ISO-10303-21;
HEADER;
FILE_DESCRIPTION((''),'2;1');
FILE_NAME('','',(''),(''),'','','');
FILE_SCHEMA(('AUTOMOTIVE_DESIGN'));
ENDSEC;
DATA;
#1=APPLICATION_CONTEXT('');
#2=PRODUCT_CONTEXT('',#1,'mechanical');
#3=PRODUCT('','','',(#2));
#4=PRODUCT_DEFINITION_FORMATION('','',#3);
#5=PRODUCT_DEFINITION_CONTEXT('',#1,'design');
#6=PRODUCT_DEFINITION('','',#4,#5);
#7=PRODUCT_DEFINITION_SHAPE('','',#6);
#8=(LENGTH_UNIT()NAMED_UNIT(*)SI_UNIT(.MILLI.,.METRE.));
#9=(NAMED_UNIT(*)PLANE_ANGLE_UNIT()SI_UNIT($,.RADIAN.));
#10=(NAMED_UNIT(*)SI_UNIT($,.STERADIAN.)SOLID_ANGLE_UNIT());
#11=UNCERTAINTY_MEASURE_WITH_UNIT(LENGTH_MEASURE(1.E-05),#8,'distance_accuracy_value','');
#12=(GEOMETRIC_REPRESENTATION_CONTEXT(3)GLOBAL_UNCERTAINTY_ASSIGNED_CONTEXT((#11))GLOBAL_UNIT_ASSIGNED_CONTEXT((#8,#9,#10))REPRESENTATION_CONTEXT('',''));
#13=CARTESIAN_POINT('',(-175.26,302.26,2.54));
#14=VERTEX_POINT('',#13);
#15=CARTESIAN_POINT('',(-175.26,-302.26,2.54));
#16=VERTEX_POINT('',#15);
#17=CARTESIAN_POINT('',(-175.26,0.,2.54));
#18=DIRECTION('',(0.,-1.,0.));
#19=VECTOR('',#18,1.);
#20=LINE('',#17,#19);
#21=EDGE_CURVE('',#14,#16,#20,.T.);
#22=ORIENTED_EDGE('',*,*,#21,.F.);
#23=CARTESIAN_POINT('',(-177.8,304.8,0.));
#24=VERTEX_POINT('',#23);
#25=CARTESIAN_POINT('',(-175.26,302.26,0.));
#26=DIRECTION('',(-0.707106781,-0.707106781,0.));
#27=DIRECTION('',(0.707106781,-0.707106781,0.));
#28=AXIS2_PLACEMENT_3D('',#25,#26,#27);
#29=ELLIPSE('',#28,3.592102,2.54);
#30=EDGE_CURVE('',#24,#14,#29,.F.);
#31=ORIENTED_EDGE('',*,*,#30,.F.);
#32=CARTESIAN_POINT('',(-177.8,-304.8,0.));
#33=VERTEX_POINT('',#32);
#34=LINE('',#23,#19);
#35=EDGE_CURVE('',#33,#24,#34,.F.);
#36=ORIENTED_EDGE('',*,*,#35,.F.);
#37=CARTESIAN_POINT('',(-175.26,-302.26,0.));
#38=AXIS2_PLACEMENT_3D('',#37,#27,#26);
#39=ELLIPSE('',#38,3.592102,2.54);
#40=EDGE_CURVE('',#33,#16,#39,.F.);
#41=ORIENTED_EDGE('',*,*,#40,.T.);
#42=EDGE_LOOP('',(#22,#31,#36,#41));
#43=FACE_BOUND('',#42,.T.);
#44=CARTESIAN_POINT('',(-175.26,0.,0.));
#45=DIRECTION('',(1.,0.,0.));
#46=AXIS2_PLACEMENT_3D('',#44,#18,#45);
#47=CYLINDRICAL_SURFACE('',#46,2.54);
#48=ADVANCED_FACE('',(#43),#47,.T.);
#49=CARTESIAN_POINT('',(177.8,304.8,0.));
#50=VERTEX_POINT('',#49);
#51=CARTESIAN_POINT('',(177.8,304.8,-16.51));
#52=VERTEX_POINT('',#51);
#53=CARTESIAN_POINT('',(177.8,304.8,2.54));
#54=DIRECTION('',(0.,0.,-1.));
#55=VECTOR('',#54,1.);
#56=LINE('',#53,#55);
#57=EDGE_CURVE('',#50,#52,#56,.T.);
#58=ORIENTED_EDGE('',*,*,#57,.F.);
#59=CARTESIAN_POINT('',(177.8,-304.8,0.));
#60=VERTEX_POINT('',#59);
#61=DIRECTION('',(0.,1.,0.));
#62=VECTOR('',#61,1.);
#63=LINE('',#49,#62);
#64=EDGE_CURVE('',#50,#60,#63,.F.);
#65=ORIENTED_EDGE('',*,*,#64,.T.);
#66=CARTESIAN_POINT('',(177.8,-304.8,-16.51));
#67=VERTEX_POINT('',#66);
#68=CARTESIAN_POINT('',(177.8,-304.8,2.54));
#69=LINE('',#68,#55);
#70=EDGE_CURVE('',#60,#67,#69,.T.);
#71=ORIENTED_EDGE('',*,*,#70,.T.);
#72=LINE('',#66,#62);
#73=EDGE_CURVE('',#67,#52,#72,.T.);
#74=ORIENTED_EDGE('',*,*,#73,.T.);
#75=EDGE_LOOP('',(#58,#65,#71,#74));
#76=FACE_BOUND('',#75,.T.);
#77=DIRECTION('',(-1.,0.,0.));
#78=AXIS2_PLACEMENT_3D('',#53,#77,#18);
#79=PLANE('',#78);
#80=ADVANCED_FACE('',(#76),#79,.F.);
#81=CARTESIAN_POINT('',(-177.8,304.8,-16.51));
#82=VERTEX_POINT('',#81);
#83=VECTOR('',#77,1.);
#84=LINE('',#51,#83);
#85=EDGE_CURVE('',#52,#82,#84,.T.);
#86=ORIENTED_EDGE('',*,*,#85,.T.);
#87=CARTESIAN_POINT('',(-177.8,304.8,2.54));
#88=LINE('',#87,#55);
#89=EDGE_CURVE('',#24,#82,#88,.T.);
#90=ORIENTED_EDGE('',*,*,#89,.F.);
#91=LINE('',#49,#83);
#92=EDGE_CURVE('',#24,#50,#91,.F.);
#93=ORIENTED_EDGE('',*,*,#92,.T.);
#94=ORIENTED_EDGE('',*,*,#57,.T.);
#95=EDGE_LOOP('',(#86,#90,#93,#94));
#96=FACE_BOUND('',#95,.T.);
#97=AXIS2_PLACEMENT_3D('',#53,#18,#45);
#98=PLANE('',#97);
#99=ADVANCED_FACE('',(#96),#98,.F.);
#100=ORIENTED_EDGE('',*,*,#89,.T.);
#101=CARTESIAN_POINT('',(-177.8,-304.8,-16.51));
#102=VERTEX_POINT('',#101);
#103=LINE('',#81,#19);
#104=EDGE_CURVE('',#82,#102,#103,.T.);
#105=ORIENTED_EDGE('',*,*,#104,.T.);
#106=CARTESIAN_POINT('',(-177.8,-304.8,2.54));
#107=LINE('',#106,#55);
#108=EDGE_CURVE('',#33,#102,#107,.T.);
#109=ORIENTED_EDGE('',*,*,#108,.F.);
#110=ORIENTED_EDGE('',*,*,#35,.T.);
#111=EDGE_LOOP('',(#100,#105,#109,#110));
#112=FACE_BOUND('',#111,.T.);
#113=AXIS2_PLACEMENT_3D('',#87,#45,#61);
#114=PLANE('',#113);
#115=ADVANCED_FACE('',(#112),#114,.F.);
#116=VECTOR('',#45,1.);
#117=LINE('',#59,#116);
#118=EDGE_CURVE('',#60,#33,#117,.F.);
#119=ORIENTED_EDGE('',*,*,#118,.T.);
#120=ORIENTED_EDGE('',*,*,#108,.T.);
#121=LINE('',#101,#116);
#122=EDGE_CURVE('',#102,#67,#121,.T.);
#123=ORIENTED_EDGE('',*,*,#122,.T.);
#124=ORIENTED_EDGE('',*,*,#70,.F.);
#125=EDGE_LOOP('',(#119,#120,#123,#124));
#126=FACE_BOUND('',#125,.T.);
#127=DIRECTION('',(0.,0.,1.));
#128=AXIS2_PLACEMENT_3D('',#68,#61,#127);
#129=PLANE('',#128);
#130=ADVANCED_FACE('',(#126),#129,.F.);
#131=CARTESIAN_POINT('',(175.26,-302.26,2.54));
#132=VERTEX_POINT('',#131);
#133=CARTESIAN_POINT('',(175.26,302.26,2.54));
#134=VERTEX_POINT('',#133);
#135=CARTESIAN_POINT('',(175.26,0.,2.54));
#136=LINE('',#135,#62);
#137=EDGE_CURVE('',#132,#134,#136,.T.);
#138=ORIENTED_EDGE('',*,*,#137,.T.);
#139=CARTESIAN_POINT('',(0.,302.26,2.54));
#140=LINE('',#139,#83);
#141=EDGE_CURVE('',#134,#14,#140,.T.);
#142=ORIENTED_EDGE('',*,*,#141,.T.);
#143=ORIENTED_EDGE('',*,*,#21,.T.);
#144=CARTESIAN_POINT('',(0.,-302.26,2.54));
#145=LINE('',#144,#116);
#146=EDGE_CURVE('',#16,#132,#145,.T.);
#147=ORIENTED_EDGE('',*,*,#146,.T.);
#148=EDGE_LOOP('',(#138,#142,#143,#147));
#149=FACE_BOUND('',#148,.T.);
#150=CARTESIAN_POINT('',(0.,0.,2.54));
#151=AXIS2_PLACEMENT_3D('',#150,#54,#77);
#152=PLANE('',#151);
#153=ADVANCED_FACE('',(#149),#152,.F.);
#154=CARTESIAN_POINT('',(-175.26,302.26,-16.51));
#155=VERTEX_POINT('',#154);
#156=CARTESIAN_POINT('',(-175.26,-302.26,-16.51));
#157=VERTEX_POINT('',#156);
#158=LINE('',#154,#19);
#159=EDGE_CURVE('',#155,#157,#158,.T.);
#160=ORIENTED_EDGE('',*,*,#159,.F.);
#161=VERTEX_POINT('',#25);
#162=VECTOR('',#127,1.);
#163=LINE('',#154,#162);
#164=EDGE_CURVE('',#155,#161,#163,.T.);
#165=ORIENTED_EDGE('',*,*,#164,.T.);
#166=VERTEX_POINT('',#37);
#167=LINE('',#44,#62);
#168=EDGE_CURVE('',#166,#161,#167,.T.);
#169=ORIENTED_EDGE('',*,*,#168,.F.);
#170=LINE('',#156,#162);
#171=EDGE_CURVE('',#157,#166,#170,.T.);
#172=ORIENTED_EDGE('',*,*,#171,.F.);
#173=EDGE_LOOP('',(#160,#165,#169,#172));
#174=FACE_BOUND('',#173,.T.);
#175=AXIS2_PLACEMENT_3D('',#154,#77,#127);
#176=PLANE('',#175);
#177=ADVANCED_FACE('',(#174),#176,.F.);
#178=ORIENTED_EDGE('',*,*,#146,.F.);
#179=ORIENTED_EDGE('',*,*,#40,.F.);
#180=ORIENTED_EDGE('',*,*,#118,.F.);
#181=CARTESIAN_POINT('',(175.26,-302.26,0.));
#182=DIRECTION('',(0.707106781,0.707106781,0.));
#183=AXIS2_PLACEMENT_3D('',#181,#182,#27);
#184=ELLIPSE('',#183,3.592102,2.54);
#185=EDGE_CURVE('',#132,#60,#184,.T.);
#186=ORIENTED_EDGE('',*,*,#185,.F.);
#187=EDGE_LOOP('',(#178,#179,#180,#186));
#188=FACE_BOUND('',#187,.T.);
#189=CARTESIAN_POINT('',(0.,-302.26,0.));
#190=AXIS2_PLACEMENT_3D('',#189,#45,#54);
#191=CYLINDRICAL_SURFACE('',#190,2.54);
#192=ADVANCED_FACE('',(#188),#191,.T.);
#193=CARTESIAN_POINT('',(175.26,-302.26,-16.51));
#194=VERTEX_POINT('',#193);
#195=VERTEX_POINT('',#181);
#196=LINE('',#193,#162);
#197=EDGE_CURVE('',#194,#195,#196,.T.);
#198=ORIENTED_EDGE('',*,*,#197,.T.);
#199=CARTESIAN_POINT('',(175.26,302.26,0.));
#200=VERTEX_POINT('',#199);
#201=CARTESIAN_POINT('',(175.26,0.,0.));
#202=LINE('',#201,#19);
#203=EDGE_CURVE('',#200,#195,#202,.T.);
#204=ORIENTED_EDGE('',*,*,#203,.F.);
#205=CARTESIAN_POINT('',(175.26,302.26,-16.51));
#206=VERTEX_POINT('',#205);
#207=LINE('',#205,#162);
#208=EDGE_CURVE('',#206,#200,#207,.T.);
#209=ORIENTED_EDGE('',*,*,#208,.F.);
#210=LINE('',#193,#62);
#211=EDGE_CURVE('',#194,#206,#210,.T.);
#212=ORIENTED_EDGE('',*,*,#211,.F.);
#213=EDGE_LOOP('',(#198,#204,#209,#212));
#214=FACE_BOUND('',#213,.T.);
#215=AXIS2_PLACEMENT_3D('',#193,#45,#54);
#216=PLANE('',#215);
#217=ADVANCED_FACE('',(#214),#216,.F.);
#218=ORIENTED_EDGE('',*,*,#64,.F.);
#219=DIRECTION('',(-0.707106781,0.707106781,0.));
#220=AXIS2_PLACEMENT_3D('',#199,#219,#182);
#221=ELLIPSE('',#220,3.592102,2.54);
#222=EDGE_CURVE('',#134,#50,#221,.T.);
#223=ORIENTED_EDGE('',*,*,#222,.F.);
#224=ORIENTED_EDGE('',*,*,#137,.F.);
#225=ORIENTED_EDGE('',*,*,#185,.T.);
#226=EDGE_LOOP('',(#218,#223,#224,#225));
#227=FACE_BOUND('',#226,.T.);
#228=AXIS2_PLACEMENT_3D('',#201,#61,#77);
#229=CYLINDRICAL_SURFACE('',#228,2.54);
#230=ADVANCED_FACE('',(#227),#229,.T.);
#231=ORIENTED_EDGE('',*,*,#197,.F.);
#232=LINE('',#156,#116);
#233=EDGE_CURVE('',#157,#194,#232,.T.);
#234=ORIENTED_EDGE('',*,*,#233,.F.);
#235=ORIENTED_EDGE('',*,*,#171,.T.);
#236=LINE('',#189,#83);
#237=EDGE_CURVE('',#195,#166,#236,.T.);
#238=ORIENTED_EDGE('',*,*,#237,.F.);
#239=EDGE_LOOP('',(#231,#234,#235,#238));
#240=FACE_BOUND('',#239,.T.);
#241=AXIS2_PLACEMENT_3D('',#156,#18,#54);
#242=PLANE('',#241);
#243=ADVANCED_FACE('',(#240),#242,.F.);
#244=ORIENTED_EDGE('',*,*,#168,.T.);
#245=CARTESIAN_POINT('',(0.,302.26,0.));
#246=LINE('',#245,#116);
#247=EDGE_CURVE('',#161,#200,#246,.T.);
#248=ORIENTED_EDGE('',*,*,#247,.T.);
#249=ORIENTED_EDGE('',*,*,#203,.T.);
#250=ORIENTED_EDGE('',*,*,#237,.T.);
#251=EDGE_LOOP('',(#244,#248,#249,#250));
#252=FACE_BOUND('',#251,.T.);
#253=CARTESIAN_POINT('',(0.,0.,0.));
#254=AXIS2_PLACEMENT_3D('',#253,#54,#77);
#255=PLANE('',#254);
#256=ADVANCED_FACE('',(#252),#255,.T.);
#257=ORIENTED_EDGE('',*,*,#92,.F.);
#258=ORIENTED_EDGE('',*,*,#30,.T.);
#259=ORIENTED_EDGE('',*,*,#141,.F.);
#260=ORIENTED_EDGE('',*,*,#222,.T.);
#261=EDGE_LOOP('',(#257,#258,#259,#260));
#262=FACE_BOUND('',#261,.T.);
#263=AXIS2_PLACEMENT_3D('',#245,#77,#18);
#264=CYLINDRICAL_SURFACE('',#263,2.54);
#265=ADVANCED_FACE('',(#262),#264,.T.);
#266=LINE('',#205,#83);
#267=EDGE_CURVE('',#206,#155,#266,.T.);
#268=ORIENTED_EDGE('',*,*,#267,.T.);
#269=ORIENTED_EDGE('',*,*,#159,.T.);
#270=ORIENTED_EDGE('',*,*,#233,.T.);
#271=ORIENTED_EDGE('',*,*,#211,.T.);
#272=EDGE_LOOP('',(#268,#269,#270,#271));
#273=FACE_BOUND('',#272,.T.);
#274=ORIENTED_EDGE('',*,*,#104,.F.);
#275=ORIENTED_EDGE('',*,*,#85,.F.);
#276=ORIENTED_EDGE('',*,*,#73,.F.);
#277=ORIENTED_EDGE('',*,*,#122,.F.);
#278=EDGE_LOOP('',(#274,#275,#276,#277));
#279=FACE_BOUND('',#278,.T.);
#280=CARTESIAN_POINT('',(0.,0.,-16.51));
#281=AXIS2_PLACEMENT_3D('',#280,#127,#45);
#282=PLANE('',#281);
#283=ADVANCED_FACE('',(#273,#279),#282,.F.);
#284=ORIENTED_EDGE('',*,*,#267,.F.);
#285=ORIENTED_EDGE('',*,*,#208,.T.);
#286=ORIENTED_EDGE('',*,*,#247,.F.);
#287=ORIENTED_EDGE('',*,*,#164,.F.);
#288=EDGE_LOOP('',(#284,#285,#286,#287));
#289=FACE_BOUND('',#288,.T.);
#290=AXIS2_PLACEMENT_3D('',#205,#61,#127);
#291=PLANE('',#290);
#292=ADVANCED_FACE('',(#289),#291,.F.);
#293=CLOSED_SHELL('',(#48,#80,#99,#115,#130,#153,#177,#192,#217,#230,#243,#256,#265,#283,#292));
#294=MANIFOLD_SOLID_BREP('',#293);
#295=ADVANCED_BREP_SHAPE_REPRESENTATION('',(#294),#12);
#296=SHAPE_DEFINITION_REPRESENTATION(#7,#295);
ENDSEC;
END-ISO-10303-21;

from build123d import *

# Parameters (mm, degrees)
SKETCH1_W           = 355.6
SKETCH1_H           = 609.6
BOSS_EXTRUDE1_DEPTH = 2.54
SKETCH2_W           = 355.6
SKETCH2_H           = 609.6
SKETCH2_W_2         = 350.52
SKETCH2_H_2         = 604.52
BOSS_EXTRUDE2_DEPTH = 19.05
FILLET1_R           = 2.54


with BuildPart() as part:
    # Sketch1 → Boss-Extrude1 (new body)
    with BuildSketch(Plane.XY):
        Rectangle(SKETCH1_W, SKETCH1_H)
    extrude(amount=BOSS_EXTRUDE1_DEPTH)

    # Sketch2 → Boss-Extrude2 (add)
    with BuildSketch(Plane.XY.offset(2.54)):
        Rectangle(SKETCH2_W, SKETCH2_H)
        Rectangle(SKETCH2_W_2, SKETCH2_H_2, mode=Mode.SUBTRACT)
    extrude(amount=-BOSS_EXTRUDE2_DEPTH)

    # Fillet1
    fillet1_edges = [part.edges().sort_by_distance(p)[0] for p in [
        (177.8, 0, 2.54),
        (0, 304.8, 2.54),
        (-177.8, 0, 2.54),
        (0, -304.8, 2.54),
    ]]
    fillet(fillet1_edges, radius=FILLET1_R)


solid = part.part
